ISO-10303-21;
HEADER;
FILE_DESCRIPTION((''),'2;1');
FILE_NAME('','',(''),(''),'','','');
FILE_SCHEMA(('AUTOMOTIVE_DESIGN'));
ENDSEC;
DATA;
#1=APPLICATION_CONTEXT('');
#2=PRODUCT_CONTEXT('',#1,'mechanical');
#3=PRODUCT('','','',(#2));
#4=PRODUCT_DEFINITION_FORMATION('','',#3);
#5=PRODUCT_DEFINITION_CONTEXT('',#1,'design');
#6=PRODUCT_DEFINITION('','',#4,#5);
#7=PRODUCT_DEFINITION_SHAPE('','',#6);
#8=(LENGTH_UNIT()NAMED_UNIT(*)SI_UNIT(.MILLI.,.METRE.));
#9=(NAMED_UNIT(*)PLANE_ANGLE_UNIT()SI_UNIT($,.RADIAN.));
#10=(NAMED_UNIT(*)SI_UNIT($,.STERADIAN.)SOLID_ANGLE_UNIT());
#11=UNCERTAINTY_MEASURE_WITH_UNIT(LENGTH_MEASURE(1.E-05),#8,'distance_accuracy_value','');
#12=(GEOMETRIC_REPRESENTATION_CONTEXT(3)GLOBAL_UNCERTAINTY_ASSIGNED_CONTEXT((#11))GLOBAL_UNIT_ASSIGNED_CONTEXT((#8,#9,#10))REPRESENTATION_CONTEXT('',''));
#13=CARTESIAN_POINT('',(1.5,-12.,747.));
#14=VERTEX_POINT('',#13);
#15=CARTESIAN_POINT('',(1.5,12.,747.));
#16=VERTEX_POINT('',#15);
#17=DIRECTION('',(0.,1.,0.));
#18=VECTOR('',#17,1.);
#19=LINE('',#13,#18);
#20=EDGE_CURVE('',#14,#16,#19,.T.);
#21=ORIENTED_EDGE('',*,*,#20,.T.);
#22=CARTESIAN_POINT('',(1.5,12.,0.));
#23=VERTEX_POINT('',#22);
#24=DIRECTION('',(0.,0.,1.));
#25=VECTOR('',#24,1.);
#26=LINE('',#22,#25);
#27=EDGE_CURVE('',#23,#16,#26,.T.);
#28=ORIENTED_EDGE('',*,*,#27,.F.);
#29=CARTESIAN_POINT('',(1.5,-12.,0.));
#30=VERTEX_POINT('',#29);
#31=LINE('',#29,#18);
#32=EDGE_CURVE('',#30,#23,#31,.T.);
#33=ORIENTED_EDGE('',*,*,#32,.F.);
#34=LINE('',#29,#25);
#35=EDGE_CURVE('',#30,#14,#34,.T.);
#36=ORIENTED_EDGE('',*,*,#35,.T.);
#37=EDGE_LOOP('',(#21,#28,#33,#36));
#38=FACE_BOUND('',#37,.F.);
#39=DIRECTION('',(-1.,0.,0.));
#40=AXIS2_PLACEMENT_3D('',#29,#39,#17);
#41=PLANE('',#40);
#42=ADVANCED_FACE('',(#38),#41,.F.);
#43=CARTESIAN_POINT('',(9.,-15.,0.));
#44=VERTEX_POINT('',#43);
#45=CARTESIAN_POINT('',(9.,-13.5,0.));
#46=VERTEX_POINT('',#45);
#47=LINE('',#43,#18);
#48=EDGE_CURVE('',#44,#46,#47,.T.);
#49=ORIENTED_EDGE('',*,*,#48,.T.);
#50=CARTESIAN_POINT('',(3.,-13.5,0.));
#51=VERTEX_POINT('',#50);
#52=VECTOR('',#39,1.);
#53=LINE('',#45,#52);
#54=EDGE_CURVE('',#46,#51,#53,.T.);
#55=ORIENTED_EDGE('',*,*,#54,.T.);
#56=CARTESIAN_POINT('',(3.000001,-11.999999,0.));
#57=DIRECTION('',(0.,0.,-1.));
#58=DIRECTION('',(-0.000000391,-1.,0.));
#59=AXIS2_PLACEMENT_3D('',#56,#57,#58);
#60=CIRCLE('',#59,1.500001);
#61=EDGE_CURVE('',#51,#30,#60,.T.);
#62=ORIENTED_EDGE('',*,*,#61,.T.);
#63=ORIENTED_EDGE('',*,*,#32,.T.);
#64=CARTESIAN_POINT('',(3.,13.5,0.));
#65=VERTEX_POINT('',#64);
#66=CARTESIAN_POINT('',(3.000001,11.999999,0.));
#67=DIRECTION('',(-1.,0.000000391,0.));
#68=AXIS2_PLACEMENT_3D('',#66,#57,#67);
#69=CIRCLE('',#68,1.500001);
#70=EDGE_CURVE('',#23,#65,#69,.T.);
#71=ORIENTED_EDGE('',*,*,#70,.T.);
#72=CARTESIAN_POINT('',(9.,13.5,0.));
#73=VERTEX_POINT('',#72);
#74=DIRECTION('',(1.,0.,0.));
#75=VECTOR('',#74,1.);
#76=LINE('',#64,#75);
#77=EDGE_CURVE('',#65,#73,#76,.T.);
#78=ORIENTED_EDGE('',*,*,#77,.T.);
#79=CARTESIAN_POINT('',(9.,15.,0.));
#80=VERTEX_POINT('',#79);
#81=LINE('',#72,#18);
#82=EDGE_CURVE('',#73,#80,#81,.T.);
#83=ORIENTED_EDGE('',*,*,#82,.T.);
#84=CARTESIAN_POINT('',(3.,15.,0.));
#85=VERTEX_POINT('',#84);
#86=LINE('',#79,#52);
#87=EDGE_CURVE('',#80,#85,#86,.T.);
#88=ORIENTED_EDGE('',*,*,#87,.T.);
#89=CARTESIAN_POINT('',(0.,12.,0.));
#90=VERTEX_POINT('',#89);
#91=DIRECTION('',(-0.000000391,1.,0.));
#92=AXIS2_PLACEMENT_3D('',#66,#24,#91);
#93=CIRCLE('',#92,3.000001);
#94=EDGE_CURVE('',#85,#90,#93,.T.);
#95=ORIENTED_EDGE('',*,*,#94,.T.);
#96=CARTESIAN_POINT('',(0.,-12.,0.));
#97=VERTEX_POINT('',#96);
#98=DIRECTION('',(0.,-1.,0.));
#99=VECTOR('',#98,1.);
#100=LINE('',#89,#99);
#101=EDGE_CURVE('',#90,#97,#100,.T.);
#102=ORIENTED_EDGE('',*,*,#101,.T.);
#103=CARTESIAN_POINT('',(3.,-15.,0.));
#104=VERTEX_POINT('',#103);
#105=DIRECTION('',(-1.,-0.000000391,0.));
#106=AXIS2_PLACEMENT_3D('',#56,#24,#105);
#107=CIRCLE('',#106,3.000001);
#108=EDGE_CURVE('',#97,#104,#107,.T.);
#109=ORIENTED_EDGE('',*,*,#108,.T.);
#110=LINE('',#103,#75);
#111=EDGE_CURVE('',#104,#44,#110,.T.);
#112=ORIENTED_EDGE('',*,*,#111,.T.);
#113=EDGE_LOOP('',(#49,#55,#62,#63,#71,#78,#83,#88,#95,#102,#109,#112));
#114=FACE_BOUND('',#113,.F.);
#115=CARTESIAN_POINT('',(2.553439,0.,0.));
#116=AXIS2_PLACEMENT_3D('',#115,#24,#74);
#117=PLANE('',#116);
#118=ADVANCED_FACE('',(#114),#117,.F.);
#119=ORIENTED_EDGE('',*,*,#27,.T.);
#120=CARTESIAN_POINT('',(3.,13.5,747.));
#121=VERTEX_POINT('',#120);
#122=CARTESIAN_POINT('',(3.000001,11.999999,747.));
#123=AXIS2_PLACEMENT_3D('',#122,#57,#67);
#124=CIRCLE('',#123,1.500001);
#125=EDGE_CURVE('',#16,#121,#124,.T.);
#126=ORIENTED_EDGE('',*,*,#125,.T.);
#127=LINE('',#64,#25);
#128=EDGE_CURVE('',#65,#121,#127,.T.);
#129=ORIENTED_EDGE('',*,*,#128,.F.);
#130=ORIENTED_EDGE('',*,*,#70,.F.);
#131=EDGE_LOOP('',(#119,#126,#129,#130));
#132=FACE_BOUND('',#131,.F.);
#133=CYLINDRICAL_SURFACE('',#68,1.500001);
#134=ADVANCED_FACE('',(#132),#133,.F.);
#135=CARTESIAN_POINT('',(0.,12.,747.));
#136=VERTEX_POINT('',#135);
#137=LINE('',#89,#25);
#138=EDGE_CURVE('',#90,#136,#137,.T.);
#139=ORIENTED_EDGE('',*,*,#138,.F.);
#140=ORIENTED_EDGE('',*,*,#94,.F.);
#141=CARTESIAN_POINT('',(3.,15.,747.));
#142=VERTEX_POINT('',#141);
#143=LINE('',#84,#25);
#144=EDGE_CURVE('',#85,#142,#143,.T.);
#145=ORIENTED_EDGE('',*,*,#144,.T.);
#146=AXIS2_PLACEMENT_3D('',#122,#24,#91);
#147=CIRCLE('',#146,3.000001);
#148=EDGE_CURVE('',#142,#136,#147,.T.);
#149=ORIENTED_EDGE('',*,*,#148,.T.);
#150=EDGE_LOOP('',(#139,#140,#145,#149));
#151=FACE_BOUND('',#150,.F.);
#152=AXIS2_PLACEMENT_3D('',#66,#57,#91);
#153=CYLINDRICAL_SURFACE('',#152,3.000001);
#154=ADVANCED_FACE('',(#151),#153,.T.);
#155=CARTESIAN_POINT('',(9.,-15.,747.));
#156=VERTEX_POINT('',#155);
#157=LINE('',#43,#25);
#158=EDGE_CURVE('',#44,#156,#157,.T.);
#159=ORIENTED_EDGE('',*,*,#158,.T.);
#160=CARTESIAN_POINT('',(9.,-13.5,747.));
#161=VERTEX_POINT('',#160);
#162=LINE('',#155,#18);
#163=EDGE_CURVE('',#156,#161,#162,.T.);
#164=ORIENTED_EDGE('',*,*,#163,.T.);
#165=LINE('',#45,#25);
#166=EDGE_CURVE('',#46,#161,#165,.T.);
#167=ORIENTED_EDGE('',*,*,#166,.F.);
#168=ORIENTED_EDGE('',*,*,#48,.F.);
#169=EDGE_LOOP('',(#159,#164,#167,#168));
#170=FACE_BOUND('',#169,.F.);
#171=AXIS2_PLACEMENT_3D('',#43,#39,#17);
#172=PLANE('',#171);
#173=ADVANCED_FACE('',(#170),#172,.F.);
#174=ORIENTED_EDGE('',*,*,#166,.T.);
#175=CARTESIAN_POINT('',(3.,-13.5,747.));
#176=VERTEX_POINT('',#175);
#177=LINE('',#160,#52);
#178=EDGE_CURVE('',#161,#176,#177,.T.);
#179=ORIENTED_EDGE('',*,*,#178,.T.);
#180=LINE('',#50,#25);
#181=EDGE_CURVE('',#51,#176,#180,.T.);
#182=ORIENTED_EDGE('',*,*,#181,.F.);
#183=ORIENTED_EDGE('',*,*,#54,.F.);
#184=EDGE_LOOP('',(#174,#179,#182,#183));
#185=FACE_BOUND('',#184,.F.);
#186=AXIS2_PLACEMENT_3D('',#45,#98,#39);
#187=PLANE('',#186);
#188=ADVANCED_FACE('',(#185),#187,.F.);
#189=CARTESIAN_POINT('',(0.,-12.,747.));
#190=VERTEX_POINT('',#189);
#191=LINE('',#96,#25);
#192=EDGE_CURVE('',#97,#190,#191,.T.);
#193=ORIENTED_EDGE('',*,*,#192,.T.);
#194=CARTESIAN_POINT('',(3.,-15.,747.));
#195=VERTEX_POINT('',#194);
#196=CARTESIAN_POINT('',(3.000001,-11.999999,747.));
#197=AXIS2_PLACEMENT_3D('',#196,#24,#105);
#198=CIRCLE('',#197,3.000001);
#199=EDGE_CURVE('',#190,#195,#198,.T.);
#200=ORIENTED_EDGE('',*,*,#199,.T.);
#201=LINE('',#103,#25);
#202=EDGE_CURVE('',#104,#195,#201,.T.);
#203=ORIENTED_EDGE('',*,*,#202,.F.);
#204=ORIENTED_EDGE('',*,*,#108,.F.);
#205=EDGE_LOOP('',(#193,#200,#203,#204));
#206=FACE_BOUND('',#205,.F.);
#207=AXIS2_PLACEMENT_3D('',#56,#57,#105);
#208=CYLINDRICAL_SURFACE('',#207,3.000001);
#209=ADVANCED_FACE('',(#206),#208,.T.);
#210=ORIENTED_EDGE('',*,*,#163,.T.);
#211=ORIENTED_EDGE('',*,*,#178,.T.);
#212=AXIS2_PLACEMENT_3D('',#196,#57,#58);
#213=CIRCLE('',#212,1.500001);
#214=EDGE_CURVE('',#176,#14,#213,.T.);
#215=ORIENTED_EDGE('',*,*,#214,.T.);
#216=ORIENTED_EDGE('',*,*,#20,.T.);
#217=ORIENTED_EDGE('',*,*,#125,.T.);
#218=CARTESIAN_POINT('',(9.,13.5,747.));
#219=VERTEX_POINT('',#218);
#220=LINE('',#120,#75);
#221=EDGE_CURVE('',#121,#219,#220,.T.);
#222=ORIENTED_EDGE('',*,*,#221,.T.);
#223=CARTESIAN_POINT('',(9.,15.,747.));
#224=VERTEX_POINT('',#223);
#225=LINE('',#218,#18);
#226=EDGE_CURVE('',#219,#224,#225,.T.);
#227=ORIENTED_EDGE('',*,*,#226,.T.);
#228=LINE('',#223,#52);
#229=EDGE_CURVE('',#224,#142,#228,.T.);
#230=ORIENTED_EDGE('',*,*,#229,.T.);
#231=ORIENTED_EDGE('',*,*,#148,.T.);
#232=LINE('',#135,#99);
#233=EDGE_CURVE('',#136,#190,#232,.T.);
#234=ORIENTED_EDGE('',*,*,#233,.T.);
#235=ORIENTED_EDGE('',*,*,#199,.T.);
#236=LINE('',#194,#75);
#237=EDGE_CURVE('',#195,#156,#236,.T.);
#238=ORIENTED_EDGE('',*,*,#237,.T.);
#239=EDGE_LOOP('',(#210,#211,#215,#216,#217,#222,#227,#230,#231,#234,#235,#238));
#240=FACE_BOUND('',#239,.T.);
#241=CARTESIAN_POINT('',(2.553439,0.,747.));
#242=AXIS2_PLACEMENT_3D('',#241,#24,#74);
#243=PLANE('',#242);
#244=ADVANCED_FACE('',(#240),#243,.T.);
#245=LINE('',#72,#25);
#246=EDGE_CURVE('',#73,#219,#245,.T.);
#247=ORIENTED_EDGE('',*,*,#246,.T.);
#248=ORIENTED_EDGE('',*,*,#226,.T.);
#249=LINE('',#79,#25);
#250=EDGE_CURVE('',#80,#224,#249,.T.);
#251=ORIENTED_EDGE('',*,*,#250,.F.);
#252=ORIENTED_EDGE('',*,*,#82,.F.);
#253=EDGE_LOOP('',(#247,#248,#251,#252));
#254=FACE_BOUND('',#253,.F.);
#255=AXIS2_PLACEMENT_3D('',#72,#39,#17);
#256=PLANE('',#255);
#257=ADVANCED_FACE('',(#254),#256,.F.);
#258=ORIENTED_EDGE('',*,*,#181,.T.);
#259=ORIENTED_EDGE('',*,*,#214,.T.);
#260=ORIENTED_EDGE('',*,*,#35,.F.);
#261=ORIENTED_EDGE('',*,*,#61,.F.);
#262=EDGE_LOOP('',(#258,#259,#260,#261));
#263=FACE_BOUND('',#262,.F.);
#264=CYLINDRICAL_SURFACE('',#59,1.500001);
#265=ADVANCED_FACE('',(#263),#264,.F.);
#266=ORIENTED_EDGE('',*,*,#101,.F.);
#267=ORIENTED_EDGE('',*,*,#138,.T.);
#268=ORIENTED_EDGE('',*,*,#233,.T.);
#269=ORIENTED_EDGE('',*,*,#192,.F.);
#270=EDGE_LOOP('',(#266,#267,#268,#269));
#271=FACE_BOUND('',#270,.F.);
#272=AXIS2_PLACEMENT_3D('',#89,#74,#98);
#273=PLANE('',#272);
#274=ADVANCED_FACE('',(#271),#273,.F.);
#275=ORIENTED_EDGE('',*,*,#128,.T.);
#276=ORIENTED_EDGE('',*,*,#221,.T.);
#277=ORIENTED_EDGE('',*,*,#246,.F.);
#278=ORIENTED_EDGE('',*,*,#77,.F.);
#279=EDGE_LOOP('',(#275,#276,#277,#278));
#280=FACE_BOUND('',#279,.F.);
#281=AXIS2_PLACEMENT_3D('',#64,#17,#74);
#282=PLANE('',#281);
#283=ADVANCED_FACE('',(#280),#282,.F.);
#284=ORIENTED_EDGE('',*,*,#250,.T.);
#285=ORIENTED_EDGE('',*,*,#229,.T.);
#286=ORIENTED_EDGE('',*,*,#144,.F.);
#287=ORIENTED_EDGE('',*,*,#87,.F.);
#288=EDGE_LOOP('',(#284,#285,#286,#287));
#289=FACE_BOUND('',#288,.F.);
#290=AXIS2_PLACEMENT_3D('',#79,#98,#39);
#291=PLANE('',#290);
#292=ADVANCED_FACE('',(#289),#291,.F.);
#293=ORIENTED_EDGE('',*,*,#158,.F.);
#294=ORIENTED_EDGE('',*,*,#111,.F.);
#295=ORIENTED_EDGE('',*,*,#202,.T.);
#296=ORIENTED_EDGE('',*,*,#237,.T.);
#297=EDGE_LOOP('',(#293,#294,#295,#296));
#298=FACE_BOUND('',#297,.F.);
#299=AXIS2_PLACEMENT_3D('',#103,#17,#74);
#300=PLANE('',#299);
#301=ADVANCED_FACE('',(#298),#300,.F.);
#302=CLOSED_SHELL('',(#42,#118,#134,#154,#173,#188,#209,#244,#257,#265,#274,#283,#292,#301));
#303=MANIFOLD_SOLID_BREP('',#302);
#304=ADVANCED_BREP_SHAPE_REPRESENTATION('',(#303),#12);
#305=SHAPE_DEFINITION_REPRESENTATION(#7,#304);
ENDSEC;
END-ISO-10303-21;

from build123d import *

# Parameters (mm, degrees)
F1_DEPTH = 747


with BuildPart() as f1:
    # F0 (on Top) → F1 (new body)
    with BuildSketch(Plane.XY):
        with BuildLine():
            Line((0, 12), (0, 0))
            Line((0, 0), (0, -12))
            ThreePointArc((0, -12), (0.87868, -14.12132), (3, -15))
            Line((3, -15), (9, -15))
            Line((9, -15), (9, -13.5))
            Line((9, -13.5), (3, -13.5))
            ThreePointArc((3, -13.5), (1.93934, -13.06066), (1.5, -12))
            Line((1.5, -12), (1.5, 0))
            Line((1.5, 0), (1.5, 12))
            ThreePointArc((1.5, 12), (1.93934, 13.06066), (3, 13.5))
            Line((3, 13.5), (9, 13.5))
            Line((9, 13.5), (9, 15))
            Line((9, 15), (3, 15))
            ThreePointArc((3, 15), (0.87868, 14.12132), (0, 12))
        make_face()
    extrude(amount=F1_DEPTH)


solid = f1.part
